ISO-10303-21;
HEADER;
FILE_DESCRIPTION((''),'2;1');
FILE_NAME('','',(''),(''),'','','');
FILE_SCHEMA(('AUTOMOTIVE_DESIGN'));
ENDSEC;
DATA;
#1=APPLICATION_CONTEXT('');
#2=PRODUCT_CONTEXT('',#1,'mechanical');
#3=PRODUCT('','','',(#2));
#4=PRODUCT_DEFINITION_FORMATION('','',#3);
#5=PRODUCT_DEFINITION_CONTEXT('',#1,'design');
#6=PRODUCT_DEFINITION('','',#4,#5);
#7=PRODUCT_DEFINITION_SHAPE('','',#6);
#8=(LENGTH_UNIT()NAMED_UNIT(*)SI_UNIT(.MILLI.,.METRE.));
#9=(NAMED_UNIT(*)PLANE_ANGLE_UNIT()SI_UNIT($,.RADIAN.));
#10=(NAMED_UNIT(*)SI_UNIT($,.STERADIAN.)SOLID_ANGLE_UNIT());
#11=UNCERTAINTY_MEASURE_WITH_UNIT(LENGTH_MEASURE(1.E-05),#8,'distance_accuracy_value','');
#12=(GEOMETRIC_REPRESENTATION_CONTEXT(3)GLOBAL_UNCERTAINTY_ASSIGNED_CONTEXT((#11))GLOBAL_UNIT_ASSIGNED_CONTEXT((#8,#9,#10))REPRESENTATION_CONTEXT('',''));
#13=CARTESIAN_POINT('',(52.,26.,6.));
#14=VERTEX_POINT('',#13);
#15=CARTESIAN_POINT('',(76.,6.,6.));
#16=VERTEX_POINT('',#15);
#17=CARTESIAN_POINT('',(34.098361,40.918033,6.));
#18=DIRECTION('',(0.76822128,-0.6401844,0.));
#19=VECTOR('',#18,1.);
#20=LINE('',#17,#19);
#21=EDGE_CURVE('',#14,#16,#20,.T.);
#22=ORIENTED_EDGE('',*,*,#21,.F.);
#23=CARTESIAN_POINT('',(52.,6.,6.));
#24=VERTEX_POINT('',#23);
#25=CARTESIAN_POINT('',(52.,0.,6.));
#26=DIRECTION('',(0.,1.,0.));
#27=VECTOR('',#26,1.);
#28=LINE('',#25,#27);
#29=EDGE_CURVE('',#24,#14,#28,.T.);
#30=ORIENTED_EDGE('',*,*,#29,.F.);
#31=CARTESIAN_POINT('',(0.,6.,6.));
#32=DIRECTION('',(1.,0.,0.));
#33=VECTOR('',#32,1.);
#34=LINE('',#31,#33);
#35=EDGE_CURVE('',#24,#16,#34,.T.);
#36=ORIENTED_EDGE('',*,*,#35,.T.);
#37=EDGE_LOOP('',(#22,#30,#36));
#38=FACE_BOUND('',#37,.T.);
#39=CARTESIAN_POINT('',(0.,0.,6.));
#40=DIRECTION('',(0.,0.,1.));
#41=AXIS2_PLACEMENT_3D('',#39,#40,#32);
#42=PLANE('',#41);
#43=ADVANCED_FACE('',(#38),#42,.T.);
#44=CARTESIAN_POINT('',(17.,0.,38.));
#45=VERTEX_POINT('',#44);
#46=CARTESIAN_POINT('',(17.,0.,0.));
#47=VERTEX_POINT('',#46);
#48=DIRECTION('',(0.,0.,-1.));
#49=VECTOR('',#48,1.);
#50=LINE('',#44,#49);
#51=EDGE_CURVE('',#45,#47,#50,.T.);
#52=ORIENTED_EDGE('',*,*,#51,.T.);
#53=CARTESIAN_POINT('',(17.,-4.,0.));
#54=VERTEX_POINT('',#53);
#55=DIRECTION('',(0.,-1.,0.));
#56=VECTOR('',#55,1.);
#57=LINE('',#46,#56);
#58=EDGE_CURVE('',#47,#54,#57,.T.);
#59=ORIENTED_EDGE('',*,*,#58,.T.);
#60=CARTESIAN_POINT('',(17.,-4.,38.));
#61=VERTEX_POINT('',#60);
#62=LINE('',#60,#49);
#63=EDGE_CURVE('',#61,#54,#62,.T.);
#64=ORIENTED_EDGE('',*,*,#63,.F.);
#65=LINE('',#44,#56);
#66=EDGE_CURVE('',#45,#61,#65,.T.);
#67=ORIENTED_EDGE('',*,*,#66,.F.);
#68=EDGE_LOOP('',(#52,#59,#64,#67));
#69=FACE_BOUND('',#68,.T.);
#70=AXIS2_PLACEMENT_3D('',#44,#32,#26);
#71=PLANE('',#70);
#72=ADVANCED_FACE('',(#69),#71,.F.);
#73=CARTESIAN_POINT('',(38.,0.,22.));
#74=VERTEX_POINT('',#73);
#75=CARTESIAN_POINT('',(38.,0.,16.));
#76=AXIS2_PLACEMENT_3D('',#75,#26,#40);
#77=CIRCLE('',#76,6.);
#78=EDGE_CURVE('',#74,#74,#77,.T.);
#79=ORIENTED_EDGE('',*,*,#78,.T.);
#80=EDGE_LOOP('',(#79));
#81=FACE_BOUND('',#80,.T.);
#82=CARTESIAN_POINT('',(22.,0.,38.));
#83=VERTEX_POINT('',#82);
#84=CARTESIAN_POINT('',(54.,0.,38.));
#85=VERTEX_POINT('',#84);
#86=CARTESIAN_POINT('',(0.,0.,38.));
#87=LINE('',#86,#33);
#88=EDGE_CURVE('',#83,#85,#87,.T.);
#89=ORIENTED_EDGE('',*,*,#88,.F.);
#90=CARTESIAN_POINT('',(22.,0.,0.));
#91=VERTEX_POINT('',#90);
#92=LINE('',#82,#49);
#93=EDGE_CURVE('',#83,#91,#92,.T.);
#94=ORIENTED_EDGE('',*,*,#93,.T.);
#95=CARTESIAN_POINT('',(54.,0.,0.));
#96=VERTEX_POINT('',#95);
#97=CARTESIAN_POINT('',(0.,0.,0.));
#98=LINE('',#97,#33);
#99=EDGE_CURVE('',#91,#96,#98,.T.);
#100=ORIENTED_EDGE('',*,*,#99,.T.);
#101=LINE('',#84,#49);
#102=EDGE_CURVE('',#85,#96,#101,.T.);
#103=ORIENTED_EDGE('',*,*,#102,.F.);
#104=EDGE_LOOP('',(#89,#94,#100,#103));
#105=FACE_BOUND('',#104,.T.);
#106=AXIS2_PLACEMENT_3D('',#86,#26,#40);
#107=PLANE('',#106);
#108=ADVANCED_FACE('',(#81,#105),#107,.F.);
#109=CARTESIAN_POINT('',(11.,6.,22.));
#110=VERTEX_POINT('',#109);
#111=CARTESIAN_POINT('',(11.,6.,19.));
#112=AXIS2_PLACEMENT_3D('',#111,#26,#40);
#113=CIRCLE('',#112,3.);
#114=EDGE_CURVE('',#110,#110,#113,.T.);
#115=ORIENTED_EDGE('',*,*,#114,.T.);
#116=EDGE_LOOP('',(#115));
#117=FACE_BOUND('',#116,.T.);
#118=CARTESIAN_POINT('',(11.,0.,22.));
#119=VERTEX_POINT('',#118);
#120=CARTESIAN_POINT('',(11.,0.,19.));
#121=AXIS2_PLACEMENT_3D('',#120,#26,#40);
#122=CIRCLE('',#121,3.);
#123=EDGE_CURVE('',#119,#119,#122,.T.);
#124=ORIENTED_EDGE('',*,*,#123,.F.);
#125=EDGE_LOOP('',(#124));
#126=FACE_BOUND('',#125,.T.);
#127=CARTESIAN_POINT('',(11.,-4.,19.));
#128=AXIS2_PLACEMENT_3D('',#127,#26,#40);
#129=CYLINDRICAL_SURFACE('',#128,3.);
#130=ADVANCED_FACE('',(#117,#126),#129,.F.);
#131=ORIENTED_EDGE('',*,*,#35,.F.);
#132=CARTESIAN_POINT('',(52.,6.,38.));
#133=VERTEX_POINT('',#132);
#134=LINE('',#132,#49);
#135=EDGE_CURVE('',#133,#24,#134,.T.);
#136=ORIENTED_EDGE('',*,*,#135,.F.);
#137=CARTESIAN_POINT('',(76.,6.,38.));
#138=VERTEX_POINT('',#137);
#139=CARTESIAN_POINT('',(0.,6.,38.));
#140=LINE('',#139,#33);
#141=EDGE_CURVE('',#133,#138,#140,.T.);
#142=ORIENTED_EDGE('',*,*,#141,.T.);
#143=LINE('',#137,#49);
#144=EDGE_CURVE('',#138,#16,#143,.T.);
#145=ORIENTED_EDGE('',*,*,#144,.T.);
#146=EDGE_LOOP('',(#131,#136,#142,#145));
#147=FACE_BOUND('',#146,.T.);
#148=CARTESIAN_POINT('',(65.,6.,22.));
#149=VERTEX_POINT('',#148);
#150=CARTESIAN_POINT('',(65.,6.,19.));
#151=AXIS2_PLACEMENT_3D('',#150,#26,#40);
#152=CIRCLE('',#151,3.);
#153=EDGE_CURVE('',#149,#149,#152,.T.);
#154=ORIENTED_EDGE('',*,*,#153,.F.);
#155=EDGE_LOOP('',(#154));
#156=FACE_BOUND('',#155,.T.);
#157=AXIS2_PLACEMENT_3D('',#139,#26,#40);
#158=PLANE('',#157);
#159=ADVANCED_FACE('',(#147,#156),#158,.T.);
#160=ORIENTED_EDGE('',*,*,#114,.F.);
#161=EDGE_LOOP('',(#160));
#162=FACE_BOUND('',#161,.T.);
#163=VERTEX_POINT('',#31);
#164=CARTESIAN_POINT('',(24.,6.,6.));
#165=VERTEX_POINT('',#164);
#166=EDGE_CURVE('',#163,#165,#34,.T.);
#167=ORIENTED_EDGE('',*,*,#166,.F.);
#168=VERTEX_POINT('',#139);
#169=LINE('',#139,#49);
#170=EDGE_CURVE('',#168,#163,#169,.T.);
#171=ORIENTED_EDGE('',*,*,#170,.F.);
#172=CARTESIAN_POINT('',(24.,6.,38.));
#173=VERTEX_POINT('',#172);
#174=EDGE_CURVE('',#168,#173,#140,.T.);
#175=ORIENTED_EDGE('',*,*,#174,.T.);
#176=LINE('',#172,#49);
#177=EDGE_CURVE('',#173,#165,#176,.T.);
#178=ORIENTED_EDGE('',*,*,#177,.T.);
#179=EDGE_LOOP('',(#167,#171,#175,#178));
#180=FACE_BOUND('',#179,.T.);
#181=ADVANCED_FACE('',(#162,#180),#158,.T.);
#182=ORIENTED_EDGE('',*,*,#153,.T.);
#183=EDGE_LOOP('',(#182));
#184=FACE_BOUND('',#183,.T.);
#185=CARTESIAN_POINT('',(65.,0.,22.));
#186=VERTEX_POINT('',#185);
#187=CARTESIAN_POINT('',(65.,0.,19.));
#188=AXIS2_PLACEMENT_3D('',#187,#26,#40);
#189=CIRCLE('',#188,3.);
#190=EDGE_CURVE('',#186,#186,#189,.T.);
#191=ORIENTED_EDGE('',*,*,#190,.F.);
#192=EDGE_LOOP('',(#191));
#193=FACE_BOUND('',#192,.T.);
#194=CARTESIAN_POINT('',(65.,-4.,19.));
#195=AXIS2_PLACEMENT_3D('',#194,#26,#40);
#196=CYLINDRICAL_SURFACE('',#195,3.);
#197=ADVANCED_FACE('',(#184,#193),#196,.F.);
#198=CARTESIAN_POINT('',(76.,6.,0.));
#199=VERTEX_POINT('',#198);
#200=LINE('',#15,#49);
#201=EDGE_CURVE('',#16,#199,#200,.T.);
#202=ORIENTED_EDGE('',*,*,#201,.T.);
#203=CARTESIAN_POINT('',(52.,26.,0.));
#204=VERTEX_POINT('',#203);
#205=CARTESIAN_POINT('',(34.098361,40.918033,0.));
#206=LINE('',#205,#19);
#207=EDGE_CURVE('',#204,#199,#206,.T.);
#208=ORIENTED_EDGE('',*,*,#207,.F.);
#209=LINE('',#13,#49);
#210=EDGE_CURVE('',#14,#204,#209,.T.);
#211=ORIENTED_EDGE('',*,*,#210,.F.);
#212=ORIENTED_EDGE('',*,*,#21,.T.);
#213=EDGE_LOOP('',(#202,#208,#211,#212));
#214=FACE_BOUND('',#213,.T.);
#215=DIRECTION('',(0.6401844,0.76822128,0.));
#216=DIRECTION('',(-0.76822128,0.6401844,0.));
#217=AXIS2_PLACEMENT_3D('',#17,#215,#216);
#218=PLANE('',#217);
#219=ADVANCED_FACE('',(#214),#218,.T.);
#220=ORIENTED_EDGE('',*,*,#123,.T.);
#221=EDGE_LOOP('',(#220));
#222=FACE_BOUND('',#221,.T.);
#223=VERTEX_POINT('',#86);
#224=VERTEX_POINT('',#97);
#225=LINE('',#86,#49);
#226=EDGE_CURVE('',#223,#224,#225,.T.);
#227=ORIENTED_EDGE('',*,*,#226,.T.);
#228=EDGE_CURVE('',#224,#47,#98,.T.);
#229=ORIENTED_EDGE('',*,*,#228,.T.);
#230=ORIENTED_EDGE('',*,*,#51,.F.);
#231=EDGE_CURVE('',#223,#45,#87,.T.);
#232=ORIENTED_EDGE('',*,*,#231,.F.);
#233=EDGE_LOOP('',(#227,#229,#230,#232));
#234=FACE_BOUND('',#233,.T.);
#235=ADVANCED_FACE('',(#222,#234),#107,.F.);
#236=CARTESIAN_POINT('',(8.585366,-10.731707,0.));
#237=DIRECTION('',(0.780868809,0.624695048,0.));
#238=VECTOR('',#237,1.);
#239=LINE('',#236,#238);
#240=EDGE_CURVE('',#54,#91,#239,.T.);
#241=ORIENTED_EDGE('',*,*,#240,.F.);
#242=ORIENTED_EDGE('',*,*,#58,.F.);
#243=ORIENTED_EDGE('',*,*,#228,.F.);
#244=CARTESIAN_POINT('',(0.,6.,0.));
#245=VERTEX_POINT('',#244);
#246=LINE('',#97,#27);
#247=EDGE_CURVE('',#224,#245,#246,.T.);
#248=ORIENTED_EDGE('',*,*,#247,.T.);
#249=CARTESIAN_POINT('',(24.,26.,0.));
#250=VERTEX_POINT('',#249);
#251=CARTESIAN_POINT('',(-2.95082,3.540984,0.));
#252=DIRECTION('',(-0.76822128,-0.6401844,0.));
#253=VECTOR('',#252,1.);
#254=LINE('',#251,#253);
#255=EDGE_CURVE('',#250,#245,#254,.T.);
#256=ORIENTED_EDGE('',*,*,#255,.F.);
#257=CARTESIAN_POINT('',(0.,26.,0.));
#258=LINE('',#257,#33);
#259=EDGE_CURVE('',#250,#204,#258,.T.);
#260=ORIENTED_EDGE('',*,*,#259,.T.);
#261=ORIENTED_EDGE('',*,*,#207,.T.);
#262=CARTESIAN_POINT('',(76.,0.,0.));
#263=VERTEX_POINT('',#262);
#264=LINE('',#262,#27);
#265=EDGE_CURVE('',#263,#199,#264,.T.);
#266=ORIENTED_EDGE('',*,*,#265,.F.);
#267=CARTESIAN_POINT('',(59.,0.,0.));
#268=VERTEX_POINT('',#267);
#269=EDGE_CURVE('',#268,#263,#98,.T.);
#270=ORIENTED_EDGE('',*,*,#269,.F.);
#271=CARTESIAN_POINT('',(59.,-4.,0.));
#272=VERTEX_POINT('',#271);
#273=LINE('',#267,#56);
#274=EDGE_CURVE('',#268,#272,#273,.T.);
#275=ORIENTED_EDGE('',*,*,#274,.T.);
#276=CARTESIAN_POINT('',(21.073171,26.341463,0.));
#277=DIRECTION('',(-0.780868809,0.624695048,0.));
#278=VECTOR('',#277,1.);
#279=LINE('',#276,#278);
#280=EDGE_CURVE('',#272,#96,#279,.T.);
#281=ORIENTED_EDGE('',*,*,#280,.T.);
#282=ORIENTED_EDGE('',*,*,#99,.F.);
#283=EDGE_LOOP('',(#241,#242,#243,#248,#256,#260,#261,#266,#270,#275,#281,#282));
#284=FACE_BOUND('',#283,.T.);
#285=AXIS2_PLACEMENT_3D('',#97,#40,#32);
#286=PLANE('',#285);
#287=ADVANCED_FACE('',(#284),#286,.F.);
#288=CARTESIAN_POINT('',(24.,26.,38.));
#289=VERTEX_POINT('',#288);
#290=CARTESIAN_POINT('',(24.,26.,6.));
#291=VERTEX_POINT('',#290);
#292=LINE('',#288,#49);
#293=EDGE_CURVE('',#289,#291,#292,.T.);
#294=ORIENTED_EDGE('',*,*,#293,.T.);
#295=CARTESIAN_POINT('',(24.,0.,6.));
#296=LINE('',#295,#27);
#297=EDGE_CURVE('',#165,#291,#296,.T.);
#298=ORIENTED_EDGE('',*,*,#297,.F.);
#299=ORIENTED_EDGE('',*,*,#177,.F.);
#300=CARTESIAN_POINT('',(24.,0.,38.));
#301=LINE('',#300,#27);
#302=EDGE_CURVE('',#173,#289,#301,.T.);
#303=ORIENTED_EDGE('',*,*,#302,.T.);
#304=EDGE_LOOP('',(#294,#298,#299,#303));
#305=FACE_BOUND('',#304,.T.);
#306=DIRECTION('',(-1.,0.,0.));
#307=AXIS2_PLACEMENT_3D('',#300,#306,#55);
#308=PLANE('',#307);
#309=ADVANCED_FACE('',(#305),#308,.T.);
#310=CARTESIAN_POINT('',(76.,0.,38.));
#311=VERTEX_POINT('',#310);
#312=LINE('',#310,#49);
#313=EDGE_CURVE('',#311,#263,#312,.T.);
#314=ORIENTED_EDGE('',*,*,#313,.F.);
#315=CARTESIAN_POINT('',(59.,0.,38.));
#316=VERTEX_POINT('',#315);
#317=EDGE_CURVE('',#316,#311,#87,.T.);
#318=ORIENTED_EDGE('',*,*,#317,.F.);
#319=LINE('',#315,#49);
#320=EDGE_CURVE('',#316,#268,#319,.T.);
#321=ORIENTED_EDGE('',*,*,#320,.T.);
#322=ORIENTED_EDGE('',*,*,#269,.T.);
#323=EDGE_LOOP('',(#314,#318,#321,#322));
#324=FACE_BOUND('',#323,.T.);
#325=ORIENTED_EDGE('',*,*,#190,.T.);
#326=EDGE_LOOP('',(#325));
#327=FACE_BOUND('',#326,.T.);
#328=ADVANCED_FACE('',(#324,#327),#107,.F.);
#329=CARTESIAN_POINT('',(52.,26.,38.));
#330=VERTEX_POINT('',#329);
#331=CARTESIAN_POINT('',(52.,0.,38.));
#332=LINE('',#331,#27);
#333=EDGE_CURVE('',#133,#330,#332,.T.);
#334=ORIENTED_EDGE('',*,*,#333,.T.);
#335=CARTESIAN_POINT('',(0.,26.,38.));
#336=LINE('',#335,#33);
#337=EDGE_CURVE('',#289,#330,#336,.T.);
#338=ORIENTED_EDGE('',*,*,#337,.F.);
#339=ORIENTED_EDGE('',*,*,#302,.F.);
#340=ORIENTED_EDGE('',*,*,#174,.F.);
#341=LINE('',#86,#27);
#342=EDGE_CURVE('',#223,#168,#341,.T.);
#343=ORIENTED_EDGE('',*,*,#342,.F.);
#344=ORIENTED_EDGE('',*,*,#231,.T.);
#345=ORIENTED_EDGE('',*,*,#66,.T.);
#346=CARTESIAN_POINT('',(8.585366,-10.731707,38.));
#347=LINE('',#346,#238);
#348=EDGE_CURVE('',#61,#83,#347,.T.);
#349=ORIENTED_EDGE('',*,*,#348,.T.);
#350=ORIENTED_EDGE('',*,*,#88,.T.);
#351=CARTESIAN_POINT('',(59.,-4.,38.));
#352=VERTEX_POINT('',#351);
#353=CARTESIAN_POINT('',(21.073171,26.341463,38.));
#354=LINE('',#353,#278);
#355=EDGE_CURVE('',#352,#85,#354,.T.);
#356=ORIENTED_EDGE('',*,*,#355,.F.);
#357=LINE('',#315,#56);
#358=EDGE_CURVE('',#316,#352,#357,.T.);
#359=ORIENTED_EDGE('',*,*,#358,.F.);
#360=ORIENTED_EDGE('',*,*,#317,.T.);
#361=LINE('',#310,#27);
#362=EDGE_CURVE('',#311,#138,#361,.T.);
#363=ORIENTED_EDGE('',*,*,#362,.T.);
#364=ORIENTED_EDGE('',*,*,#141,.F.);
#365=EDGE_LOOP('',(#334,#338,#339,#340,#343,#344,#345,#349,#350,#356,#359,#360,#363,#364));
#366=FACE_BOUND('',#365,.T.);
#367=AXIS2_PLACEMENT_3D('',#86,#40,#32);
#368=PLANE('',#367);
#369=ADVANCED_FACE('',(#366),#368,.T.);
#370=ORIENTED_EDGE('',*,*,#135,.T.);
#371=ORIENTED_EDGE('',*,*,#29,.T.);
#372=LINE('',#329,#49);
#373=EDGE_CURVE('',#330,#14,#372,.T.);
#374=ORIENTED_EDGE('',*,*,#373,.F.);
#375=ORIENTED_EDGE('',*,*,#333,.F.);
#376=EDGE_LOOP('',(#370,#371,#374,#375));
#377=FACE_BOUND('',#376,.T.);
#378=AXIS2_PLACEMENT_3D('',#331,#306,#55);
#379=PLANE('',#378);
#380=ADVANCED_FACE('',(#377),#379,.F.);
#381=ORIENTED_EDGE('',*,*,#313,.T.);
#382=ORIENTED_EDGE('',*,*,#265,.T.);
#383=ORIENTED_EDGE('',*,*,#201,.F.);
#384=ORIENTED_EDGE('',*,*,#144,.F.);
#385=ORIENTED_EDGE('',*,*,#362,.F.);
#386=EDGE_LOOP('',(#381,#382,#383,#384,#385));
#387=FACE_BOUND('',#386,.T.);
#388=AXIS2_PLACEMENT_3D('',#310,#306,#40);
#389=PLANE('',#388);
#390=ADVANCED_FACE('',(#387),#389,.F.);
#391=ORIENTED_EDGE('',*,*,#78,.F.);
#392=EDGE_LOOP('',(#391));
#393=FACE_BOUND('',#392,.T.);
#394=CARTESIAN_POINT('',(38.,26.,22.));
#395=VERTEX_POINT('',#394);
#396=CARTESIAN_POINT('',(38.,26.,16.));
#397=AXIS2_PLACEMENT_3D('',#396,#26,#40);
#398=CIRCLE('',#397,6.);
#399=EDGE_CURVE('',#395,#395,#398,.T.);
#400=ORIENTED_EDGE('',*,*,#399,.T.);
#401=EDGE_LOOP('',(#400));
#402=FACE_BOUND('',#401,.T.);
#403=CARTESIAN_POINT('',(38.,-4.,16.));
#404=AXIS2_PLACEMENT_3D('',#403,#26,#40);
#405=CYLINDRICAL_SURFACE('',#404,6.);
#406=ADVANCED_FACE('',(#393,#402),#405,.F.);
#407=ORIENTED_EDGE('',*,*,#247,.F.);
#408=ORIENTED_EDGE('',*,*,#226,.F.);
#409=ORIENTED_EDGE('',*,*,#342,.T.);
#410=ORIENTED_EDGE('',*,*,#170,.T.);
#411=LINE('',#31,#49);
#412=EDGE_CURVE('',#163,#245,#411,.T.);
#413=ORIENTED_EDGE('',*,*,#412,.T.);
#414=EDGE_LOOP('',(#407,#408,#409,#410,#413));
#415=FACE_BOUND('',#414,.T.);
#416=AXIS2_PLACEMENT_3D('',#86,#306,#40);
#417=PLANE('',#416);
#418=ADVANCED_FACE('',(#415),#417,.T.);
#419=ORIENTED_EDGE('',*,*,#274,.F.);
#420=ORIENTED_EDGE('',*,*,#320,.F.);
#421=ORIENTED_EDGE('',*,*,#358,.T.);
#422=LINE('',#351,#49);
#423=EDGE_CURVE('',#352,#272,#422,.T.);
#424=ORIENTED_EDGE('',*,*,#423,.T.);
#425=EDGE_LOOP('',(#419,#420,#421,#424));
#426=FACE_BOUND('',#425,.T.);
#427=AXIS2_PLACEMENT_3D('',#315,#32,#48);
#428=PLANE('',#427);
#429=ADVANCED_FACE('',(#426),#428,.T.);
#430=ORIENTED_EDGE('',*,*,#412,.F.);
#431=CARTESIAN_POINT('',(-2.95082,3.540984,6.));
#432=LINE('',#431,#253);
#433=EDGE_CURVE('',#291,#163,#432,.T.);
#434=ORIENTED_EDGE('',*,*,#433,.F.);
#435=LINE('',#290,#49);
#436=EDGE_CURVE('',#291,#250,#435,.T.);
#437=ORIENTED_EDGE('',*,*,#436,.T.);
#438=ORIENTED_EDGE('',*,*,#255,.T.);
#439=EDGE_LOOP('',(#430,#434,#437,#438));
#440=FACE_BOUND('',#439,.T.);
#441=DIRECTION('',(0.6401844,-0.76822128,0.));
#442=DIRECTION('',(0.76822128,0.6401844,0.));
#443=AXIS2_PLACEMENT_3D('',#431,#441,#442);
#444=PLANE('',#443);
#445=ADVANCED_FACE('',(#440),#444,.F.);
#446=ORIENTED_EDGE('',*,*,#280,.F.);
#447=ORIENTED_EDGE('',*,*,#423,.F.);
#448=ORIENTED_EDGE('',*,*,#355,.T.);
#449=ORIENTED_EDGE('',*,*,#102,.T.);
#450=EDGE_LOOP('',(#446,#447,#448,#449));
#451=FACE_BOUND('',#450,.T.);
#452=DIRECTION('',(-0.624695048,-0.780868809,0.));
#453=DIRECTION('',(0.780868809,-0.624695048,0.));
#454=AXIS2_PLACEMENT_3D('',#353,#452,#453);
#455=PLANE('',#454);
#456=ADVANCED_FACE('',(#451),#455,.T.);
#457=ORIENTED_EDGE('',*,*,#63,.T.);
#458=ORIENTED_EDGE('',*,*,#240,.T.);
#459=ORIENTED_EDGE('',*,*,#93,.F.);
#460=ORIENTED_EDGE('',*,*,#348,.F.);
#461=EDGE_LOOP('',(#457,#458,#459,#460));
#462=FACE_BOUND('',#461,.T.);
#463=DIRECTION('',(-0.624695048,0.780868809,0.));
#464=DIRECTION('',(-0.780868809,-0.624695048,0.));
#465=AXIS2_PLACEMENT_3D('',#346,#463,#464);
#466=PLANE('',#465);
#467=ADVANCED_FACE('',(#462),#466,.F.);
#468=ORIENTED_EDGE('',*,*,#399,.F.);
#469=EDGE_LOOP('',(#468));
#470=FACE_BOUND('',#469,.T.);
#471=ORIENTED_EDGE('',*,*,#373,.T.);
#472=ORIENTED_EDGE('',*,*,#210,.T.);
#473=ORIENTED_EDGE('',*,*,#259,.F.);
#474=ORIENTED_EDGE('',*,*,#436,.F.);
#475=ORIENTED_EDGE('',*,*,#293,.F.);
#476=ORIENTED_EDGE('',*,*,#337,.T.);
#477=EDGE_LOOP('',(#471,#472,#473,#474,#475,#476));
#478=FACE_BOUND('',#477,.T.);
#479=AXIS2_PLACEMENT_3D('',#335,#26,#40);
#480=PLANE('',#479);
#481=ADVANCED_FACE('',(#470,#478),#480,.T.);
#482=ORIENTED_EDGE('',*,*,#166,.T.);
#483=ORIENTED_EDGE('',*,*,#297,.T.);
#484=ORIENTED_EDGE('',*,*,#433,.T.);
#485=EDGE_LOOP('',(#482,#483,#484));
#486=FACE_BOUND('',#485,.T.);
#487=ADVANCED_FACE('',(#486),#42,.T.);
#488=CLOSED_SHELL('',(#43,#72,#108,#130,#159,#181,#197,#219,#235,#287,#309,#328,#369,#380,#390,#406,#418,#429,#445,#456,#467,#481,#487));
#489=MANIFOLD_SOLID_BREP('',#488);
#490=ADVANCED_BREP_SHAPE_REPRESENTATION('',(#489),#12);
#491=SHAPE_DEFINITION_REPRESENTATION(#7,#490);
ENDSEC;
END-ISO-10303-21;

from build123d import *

# Parameters (mm, degrees)
BOSS_EXTRUDE2_DEPTH = 38
BOSS_EXTRUDE3_DEPTH = 6
SKETCH6_R           = 6
SKETCH6_R_2         = 3
CUT_EXTRUDE1_DEPTH  = 91.111042609


with BuildPart() as part:
    # Sketch1 → Boss-Extrude2 (new body)
    with BuildSketch(Plane.XY):
        Polygon((52, 26), (24, 26), (24, 6), (0, 6), (0, 0), (17, 0), (17, -4), (22, 0), (54, 0), (59, -4), (59, 0), (76, 0), (76, 6), (52, 6), align=None)
    extrude(amount=BOSS_EXTRUDE2_DEPTH)

    # Sketch1<4> → Boss-Extrude3 (add)
    with BuildSketch(Plane.XY):
        Polygon((24, 6), (24, 26), (0, 6), align=None)
        Polygon((76, 6), (52, 26), (52, 6), align=None)
    extrude(amount=BOSS_EXTRUDE3_DEPTH)

    # Sketch6 → Cut-Extrude1 (cut, through all)
    with BuildSketch(Plane(origin=(0, 26, 0), x_dir=(1, 0, 0), z_dir=(0, 1, 0))):
        with Locations((38, -16)):
            Circle(SKETCH6_R)
        with Locations((65, -19)):
            Circle(SKETCH6_R_2)
        with Locations((11, -19)):
            Circle(SKETCH6_R_2)
    extrude(amount=-CUT_EXTRUDE1_DEPTH, mode=Mode.SUBTRACT)


solid = part.part
